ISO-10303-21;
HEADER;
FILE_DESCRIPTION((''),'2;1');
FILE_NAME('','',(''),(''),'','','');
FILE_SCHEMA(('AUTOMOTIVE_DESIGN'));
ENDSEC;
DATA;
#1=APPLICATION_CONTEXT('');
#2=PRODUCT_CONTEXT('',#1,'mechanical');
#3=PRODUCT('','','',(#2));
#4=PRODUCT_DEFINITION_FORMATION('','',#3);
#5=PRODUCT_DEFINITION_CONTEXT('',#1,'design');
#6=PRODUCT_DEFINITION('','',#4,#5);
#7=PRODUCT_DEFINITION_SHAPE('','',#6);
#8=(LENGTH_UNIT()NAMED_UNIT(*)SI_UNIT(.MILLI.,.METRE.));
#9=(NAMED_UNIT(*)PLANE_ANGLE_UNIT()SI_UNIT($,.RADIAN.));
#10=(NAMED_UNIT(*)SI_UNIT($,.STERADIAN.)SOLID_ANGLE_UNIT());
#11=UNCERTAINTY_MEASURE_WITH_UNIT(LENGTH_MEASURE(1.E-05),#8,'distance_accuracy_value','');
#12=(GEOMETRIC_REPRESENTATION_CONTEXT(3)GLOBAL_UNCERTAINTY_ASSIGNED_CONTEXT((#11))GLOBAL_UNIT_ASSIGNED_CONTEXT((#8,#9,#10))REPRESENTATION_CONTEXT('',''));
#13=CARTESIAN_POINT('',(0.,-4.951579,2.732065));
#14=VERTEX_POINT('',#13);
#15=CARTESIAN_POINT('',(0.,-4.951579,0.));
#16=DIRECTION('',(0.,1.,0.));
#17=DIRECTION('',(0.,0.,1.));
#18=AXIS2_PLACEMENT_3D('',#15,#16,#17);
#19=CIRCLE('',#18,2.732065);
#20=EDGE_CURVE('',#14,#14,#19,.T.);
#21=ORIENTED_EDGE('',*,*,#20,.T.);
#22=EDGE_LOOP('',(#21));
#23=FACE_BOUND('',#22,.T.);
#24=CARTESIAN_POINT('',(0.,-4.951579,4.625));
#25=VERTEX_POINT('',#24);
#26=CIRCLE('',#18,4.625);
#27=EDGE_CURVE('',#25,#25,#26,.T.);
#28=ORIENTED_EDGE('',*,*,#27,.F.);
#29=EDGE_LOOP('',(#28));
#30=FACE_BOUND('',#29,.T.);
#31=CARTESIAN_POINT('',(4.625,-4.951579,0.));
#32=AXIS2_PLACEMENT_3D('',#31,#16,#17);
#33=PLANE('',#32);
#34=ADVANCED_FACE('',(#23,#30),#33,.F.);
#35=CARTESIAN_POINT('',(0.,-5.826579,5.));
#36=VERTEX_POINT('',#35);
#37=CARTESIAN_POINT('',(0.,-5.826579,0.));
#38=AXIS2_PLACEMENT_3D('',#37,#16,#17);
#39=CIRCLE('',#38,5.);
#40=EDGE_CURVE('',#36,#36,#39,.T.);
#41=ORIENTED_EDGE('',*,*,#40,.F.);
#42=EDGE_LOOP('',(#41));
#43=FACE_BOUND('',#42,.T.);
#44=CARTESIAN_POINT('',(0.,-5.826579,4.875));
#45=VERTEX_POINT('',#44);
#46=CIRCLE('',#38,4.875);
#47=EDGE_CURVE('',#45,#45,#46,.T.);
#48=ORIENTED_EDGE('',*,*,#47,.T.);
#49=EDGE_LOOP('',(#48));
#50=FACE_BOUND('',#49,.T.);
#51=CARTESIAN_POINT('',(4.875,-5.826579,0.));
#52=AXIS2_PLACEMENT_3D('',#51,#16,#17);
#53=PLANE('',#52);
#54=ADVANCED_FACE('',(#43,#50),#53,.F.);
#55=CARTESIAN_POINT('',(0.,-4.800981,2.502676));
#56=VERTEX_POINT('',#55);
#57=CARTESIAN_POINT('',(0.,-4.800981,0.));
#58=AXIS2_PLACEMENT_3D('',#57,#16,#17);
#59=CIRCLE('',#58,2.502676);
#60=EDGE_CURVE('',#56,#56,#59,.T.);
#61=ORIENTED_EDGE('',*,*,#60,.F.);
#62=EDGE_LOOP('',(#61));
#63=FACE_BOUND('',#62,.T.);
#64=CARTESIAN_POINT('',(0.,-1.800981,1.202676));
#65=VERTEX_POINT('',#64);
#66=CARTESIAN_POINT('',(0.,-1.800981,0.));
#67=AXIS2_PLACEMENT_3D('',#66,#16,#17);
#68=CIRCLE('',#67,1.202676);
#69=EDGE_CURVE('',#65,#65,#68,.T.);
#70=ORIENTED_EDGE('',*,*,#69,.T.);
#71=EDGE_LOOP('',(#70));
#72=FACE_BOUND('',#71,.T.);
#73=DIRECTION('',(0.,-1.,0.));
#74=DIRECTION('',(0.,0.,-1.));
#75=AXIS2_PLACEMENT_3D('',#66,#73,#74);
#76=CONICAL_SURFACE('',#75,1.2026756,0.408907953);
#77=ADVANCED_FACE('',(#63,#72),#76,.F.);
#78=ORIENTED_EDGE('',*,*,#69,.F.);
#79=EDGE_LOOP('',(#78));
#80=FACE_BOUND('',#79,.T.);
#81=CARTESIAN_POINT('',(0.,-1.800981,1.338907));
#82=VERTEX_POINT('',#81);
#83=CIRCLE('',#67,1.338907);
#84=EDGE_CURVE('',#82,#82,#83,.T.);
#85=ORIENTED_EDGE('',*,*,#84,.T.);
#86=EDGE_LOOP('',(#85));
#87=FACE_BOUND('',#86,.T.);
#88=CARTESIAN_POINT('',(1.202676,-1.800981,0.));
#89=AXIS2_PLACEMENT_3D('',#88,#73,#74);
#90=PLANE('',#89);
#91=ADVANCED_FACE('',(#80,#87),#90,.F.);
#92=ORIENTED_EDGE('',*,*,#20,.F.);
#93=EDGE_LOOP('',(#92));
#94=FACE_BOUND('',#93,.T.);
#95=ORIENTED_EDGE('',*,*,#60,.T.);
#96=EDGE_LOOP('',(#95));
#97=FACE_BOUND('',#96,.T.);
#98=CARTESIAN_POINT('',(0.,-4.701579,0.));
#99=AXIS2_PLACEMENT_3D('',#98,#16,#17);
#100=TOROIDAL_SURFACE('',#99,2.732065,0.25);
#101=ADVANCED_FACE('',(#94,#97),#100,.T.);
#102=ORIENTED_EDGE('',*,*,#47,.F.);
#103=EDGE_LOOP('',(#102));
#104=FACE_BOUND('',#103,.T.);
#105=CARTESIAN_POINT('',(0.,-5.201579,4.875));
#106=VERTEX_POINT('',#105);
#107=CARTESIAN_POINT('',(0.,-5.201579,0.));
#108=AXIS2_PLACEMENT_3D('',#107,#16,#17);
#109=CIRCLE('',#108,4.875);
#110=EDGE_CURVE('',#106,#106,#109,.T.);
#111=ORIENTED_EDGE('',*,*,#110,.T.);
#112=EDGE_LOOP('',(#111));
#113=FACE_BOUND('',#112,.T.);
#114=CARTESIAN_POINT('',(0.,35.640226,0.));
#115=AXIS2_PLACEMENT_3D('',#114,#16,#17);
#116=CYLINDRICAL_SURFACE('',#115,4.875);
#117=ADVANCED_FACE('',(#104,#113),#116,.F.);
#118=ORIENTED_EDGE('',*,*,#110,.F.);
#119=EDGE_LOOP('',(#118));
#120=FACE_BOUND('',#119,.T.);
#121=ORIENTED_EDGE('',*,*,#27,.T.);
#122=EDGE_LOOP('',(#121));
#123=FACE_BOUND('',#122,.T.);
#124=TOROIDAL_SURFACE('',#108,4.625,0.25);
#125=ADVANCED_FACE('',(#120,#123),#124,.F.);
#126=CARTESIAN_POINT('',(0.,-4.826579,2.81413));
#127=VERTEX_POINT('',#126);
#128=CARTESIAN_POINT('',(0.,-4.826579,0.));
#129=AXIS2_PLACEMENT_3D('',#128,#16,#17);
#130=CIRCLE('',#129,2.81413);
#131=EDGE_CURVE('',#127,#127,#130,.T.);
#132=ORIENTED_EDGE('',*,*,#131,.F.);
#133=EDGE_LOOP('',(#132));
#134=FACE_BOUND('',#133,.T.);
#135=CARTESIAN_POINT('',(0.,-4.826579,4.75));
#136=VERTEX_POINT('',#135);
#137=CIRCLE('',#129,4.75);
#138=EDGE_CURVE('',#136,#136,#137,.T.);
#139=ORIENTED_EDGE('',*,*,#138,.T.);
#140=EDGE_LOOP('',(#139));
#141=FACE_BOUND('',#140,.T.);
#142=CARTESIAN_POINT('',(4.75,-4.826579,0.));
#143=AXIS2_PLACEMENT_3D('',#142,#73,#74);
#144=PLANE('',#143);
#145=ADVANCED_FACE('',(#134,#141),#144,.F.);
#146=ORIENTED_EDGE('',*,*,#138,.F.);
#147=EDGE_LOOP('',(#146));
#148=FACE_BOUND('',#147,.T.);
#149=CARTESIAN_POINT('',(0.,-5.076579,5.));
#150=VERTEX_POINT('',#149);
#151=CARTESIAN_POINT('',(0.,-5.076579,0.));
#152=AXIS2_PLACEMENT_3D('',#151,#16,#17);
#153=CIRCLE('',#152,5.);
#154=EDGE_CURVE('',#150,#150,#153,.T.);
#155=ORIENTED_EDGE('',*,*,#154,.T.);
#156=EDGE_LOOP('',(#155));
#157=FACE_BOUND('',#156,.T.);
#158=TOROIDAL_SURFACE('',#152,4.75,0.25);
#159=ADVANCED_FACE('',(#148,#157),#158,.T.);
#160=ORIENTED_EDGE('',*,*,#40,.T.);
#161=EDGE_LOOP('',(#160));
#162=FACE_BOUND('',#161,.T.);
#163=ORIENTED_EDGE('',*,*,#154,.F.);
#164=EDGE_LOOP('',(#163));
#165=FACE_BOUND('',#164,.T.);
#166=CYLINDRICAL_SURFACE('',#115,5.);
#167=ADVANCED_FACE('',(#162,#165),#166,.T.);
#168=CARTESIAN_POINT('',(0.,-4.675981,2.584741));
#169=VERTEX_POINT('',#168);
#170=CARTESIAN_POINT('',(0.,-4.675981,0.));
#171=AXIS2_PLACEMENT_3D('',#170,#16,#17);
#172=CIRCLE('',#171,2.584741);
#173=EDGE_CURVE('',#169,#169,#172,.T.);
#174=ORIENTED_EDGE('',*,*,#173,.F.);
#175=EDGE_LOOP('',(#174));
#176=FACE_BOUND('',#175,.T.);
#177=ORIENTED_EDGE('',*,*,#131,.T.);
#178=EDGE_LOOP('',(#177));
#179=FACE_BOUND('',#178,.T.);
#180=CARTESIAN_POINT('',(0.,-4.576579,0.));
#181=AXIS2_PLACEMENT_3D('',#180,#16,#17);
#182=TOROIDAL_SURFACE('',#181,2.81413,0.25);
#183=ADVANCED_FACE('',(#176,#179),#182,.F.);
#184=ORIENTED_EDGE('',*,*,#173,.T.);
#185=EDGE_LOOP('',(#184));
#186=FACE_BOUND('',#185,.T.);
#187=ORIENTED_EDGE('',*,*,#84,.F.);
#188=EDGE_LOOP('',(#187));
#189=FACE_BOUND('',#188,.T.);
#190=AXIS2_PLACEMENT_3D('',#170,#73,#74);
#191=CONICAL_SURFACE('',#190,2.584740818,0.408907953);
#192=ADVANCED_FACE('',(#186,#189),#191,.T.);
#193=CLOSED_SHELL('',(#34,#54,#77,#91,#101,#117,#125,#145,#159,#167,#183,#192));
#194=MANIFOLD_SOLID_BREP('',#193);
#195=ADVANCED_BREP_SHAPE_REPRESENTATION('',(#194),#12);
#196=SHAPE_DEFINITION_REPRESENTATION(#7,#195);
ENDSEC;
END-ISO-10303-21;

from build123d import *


with BuildPart() as part:
    # Sketch1 → Revolve1 (revolve)
    with BuildSketch(Plane.XY):
        with BuildLine():
            Line((4.875, -5.826579261), (4.875, -5.201579261))
            ThreePointArc((4.875, -5.201579261), (4.801776695, -5.024802566), (4.625, -4.951579261))
            Line((4.625, -4.951579261), (2.732064867, -4.951579261))
            ThreePointArc((2.732064867, -4.951579261), (2.5948615, -4.910565471), (2.502675973, -4.800981149))
            Line((2.502675973, -4.800981149), (1.2026756, -1.800981305))
            Line((1.2026756, -1.800981305), (1.33890713, -1.800981305))
            Line((1.33890713, -1.800981305), (2.584740818, -4.675981149))
            ThreePointArc((2.584740818, -4.675981149), (2.676926345, -4.785565471), (2.814129712, -4.826579261))
            Line((2.814129712, -4.826579261), (4.75, -4.826579261))
            ThreePointArc((4.75, -4.826579261), (4.926776695, -4.899802566), (5, -5.076579261))
            Line((5, -5.076579261), (5, -5.826579261))
            Line((5, -5.826579261), (4.875, -5.826579261))
        make_face()
    revolve(axis=Axis((0, 35.64022646, 0), (0, -1, 0)))


solid = part.part
